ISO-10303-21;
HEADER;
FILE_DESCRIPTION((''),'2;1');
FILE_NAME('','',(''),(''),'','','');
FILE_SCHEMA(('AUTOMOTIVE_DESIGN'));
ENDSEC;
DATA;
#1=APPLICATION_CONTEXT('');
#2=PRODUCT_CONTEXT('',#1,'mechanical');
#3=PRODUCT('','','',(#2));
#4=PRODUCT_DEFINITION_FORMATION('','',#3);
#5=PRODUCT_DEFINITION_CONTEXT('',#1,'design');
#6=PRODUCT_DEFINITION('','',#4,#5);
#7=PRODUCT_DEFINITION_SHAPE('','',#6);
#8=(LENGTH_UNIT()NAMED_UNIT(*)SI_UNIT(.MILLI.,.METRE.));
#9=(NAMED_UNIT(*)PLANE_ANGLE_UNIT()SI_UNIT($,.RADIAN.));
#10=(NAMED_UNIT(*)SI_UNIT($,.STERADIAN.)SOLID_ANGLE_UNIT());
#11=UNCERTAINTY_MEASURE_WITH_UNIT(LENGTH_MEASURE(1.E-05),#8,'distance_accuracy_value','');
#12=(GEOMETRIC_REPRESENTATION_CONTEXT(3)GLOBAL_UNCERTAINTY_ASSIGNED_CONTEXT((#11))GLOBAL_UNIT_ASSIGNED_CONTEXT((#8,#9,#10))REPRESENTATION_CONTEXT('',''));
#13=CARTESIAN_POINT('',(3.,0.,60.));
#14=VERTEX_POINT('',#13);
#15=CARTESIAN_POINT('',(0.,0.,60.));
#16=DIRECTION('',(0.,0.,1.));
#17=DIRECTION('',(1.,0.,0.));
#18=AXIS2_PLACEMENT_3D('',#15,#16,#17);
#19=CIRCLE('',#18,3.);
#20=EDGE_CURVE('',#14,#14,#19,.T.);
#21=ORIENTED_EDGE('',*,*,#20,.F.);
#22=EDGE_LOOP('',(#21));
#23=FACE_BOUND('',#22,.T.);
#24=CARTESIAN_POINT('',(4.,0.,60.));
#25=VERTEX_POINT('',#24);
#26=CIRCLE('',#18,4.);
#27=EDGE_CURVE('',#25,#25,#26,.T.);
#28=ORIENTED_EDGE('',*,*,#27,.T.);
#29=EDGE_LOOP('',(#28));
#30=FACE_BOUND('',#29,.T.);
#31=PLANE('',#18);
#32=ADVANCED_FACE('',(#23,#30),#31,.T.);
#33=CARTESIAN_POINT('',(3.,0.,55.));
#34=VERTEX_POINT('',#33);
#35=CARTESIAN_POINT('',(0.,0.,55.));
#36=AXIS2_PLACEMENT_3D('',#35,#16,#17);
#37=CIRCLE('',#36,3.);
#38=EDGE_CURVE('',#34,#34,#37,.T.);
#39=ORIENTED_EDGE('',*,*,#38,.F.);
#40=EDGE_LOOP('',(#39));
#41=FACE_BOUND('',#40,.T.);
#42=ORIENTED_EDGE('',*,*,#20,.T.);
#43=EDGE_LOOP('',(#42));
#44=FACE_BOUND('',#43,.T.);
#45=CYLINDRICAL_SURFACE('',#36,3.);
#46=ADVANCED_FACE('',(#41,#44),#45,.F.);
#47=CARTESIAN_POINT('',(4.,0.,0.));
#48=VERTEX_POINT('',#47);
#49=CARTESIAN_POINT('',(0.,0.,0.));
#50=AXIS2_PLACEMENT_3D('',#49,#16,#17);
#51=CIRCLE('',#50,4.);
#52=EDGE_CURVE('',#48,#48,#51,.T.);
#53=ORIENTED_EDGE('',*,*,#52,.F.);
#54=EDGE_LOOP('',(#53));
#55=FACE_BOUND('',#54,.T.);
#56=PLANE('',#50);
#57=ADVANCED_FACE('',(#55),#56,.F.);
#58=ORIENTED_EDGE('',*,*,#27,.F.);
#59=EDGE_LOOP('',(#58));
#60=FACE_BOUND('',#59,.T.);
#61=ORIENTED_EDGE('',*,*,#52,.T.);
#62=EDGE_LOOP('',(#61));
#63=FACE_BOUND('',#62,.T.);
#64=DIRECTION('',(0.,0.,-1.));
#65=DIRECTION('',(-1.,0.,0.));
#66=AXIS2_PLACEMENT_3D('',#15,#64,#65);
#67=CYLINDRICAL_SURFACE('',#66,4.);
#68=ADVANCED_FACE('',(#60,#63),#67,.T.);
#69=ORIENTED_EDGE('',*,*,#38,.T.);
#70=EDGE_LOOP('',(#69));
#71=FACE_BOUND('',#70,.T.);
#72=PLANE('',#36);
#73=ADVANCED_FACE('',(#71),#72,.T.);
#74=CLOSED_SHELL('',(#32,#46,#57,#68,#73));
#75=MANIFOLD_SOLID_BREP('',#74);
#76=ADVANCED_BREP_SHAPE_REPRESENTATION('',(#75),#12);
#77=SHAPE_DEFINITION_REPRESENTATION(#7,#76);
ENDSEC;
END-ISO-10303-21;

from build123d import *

# Parameters (mm, degrees)
ESQUISSE1_R             = 4
BOSS_EXTRU_1_DEPTH      = 60
ESQUISSE2_R             = 3
ENL_V_MAT_EXTRU_1_DEPTH = 5


with BuildPart() as part:
    # Esquisse1 → Boss.-Extru.1 (new body)
    with BuildSketch(Plane.XY):
        Circle(ESQUISSE1_R)
    extrude(amount=BOSS_EXTRU_1_DEPTH)

    # Esquisse2 → Enlèv. mat.-Extru.1 (cut)
    with BuildSketch(Plane.XY.offset(60)):
        Circle(ESQUISSE2_R)
    extrude(amount=-ENL_V_MAT_EXTRU_1_DEPTH, mode=Mode.SUBTRACT)


solid = part.part
